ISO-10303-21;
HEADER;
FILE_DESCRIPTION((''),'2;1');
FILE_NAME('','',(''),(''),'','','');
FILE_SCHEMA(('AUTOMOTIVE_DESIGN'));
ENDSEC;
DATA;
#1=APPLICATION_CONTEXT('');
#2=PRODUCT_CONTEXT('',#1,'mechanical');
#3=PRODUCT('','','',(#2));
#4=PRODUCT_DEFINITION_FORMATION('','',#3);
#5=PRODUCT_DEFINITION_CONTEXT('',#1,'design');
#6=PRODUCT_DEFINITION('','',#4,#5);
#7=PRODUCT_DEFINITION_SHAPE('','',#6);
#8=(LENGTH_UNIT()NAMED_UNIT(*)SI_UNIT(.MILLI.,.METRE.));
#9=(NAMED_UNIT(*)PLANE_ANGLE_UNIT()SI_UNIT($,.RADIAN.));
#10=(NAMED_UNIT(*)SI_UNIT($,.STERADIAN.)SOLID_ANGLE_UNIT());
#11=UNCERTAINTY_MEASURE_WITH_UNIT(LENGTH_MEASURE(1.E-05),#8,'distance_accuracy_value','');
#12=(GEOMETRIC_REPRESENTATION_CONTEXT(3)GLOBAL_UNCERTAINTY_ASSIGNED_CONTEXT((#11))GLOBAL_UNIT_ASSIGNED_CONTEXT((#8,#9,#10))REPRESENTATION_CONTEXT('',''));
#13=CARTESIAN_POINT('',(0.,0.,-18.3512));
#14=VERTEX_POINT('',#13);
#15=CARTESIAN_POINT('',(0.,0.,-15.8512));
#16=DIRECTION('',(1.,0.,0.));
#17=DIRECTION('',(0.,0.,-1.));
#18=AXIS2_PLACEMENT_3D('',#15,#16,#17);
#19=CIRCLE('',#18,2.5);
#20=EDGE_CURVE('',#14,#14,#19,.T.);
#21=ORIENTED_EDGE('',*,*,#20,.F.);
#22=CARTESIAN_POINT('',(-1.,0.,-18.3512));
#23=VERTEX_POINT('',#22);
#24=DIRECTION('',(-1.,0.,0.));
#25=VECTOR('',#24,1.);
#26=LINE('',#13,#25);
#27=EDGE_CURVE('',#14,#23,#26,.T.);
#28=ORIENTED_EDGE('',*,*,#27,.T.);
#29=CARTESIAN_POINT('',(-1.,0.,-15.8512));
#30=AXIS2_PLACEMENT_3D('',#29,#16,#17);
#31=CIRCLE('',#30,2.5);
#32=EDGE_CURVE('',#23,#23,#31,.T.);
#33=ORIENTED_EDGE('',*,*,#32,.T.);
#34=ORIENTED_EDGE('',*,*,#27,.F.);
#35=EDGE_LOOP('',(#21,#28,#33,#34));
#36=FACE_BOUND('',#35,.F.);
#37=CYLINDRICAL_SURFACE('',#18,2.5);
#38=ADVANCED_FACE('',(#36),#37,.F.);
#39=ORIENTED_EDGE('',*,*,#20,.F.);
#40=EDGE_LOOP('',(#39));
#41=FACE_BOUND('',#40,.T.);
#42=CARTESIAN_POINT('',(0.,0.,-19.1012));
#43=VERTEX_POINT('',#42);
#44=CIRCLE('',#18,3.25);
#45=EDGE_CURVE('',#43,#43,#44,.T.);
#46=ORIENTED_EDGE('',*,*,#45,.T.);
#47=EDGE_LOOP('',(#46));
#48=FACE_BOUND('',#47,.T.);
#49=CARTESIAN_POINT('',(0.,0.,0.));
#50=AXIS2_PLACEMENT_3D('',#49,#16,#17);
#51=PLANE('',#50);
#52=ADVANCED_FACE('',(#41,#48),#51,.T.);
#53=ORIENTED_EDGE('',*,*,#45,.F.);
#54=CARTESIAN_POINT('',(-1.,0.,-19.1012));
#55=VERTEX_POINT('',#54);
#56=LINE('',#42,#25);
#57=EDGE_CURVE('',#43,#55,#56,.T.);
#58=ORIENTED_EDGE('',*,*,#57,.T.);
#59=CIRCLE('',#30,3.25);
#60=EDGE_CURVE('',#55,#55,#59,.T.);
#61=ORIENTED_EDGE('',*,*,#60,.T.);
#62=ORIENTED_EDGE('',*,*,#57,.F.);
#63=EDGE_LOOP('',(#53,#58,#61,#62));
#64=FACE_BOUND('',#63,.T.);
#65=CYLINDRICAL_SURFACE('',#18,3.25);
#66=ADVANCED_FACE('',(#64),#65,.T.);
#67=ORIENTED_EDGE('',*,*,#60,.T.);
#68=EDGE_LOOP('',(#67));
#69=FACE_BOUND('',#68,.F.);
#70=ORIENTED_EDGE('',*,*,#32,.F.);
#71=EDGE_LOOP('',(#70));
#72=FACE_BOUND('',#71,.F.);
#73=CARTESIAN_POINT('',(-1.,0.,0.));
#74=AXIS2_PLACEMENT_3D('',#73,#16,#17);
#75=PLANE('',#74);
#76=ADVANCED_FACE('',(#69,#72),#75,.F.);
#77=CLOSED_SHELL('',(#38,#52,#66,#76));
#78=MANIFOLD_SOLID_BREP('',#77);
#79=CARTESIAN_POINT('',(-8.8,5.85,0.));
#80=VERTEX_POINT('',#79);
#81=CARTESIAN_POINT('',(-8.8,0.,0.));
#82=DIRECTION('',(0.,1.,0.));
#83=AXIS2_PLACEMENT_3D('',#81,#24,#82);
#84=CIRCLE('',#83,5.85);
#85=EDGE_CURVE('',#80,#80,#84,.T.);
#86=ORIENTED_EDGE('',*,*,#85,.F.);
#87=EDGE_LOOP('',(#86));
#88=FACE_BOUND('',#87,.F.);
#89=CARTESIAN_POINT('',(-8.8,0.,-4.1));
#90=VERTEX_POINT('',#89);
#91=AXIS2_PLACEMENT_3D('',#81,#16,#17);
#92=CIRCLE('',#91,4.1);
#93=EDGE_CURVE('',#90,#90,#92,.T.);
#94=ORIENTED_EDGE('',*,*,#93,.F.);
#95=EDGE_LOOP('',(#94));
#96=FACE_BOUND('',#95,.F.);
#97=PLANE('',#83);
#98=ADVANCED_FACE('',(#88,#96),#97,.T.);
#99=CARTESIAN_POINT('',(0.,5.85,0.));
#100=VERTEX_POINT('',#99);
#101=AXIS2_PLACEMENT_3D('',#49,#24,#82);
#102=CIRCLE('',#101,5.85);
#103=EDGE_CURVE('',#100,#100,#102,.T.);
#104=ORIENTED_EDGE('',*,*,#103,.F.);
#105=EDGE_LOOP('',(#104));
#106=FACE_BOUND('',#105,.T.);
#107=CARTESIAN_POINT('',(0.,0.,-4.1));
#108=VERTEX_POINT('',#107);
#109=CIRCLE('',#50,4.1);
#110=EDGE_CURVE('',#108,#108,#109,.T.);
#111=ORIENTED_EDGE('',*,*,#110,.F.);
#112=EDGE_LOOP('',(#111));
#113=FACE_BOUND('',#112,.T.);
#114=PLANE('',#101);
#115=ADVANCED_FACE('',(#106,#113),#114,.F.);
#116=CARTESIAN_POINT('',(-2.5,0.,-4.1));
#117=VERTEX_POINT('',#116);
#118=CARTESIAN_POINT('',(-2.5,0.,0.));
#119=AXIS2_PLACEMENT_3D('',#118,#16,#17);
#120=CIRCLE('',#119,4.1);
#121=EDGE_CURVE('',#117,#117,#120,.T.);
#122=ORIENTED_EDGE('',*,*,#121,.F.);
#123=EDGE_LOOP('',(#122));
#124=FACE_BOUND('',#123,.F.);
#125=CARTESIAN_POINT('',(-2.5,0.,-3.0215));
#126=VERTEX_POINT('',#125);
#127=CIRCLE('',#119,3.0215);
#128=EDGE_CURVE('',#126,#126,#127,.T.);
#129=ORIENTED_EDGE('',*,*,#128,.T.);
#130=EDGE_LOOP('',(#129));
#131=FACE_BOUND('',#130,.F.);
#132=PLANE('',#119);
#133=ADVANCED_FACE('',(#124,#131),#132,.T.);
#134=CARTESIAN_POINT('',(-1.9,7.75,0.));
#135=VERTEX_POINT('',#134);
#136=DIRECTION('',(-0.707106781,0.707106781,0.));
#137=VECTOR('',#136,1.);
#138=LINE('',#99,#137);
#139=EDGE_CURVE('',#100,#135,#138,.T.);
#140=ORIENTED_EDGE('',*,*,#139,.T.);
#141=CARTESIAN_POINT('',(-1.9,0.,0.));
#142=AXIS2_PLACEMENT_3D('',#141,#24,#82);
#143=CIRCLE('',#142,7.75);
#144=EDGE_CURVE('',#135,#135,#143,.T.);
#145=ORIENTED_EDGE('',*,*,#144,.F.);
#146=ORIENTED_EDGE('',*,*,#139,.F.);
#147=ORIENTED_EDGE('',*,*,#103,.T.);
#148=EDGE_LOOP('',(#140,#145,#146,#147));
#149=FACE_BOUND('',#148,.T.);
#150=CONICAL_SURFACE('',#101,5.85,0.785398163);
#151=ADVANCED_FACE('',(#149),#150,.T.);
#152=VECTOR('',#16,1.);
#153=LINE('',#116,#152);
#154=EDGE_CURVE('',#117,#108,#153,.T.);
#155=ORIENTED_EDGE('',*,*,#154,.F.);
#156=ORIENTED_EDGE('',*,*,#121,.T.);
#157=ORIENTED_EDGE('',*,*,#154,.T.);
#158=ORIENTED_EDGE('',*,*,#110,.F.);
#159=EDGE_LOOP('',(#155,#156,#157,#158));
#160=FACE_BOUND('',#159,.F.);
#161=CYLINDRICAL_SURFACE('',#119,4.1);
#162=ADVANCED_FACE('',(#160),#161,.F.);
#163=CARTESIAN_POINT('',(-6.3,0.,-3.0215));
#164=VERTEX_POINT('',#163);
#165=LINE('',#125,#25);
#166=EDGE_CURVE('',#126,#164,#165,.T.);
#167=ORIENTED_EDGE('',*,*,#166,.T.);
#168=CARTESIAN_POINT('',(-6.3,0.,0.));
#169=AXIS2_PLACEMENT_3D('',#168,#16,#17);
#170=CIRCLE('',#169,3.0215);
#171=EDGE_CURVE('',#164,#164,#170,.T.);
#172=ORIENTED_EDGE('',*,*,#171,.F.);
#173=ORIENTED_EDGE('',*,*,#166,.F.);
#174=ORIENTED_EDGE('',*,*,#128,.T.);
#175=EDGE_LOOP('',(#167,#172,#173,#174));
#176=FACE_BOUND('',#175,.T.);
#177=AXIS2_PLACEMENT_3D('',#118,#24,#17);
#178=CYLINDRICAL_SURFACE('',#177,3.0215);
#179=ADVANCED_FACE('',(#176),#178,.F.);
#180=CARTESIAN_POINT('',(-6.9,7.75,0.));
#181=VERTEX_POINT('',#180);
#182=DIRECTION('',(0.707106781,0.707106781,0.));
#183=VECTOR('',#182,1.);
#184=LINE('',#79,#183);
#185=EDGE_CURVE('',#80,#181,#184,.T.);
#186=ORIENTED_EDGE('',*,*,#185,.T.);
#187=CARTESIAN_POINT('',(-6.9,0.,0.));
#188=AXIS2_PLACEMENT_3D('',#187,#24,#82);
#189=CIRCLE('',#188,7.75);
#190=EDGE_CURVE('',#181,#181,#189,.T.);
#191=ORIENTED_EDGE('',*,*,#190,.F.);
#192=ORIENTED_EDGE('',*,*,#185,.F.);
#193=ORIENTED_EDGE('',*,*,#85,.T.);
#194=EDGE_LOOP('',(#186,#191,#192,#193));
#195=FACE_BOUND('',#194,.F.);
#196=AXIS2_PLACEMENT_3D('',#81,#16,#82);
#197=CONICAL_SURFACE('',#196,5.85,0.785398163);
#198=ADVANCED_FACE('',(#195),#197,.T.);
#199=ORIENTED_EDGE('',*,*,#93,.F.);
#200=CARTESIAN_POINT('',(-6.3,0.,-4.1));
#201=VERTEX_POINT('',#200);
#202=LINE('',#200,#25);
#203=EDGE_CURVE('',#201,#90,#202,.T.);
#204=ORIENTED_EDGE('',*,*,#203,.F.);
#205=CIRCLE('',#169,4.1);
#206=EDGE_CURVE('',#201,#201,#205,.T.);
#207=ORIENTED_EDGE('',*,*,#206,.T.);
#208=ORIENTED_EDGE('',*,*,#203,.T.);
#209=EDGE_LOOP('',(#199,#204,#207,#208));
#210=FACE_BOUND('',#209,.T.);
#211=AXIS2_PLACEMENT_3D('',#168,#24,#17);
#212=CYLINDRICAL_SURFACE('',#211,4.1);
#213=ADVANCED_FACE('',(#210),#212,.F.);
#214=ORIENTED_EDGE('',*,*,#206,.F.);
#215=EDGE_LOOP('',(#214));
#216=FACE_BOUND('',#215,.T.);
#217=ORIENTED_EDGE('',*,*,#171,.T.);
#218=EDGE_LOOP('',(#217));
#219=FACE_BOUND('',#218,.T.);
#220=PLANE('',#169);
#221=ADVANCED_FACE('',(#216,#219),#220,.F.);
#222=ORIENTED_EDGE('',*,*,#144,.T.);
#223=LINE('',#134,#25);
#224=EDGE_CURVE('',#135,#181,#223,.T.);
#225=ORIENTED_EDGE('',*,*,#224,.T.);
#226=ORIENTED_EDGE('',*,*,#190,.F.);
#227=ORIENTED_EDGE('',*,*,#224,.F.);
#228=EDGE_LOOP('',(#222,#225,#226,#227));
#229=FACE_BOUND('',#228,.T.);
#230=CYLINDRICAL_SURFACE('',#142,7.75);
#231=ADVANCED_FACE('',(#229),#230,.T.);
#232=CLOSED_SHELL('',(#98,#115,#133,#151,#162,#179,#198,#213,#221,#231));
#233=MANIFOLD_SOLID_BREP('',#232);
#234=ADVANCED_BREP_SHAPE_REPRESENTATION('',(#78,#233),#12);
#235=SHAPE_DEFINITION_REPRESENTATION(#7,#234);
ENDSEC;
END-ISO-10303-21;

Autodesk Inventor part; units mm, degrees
ref_plane "YZ Plane" through (0, 0, 0) normal (1, 0, 0) x (0, 1, 0)
ref_plane "XZ Plane" through (0, 0, 0) normal (0, 1, 0) x (-1, 0, 0)
ref_plane "XY Plane" through (0, 0, 0) normal (0, 0, 1) x (1, 0, 0)
sketch "Sketch1" plane through (0, 0, 0) normal (0, 0, 1) x (1, 0, 0)
  line L0 (0, 0) -> (0, 5.85)
  line L1 (0, 0) -> (-8.8, 0)
  line L2 (-8.8, 0) -> (-8.8, 5.85)
  line L3 (-6.9, 0) -> (-6.9, 7.75)
  line L4 (-8.8, 5.85) -> (-6.9, 7.75)
  line L5 (0, 5.85) -> (-1.9, 7.75)
  line L6 (-1.9, 7.75) -> (-6.9, 7.75)
  point P0 (-5.5, 0)
  dimension "d0" = 8.8
  dimension "d1" = 7.75
  dimension "d3" = 1.9
  dimension "d8" = 5
  dimension "d9" = 45
  dimension "d10" = 135
revolve "Revolution1" add sketch "Sketch1" angle 360 about axis through (0, 0, 0) along (-1, 0, 0)
ref_plane "Work Plane1" through (-4.4, 0, 0) normal (1, 0, 0) x (0, 0, -1)
sketch "Sketch2" plane through (0, 0, 0) normal (1, 0, 0) x (0, 0, -1)
  circle A0 centre (0, 0) radius 5.85 projected
  circle A1 centre (0, 0) radius 2.55
  point P0 (0, 0)
  dimension "d11" = 5.1
extrude "Extrusion1" cut sketch "Sketch2" against normal through all contours A1
sketch "Sketch3" plane through (0, 0, 0) normal (0, 1, 0) x (-1, 0, 0)
  line L0 (6.9, 7.75) -> (6.9, -7.75) projected
  line L1 (8.8, 5.85) -> (8.8, -5.85) projected
  line L2 (8.8, 0) -> (6.3, 0)
  line L3 (6.3, 0) -> (6.3, -4.1)
  line L4 (6.3, -4.1) -> (8.8, -4.1)
  line L5 (8.8, -4.1) -> (8.8, 0)
  line L6 (0, 0) -> (2.5, 0)
  line L7 (2.5, 0) -> (2.5, -4.1)
  line L8 (2.5, -4.1) -> (0, -4.1)
  line L9 (0, -4.1) -> (0, 0)
  line L10 (6.3, 0) -> (2.5, 0)
  line L11 (2.5, 0) -> (2.5, -3.0215)
  line L12 (2.5, -3.0215) -> (6.3, -3.0215)
  line L13 (6.3, -3.0215) -> (6.3, 0)
  dimension "d14" = 2.5
  dimension "d15" = 4.1
  dimension "d16" = 2.5
revolve "Revolution2" cut sketch "Sketch3" angle 360 about axis through (-6.3, 0, 0) along (1, 0, 0)
sketch "Sketch4" plane through (0, 0, 0) normal (1, 0, 0) x (0, 0, -1)
  circle A0 centre (15.8512, 0) radius 2.5
  circle A1 centre (15.8512, 0) radius 3.25
  point P0 (0, 0)
  dimension "d18" = 5
  dimension "d19" = 6.5
extrude "Extrusion2" add sketch "Sketch4" against normal blind 1
properties part number "Neje_Rolls_small"
